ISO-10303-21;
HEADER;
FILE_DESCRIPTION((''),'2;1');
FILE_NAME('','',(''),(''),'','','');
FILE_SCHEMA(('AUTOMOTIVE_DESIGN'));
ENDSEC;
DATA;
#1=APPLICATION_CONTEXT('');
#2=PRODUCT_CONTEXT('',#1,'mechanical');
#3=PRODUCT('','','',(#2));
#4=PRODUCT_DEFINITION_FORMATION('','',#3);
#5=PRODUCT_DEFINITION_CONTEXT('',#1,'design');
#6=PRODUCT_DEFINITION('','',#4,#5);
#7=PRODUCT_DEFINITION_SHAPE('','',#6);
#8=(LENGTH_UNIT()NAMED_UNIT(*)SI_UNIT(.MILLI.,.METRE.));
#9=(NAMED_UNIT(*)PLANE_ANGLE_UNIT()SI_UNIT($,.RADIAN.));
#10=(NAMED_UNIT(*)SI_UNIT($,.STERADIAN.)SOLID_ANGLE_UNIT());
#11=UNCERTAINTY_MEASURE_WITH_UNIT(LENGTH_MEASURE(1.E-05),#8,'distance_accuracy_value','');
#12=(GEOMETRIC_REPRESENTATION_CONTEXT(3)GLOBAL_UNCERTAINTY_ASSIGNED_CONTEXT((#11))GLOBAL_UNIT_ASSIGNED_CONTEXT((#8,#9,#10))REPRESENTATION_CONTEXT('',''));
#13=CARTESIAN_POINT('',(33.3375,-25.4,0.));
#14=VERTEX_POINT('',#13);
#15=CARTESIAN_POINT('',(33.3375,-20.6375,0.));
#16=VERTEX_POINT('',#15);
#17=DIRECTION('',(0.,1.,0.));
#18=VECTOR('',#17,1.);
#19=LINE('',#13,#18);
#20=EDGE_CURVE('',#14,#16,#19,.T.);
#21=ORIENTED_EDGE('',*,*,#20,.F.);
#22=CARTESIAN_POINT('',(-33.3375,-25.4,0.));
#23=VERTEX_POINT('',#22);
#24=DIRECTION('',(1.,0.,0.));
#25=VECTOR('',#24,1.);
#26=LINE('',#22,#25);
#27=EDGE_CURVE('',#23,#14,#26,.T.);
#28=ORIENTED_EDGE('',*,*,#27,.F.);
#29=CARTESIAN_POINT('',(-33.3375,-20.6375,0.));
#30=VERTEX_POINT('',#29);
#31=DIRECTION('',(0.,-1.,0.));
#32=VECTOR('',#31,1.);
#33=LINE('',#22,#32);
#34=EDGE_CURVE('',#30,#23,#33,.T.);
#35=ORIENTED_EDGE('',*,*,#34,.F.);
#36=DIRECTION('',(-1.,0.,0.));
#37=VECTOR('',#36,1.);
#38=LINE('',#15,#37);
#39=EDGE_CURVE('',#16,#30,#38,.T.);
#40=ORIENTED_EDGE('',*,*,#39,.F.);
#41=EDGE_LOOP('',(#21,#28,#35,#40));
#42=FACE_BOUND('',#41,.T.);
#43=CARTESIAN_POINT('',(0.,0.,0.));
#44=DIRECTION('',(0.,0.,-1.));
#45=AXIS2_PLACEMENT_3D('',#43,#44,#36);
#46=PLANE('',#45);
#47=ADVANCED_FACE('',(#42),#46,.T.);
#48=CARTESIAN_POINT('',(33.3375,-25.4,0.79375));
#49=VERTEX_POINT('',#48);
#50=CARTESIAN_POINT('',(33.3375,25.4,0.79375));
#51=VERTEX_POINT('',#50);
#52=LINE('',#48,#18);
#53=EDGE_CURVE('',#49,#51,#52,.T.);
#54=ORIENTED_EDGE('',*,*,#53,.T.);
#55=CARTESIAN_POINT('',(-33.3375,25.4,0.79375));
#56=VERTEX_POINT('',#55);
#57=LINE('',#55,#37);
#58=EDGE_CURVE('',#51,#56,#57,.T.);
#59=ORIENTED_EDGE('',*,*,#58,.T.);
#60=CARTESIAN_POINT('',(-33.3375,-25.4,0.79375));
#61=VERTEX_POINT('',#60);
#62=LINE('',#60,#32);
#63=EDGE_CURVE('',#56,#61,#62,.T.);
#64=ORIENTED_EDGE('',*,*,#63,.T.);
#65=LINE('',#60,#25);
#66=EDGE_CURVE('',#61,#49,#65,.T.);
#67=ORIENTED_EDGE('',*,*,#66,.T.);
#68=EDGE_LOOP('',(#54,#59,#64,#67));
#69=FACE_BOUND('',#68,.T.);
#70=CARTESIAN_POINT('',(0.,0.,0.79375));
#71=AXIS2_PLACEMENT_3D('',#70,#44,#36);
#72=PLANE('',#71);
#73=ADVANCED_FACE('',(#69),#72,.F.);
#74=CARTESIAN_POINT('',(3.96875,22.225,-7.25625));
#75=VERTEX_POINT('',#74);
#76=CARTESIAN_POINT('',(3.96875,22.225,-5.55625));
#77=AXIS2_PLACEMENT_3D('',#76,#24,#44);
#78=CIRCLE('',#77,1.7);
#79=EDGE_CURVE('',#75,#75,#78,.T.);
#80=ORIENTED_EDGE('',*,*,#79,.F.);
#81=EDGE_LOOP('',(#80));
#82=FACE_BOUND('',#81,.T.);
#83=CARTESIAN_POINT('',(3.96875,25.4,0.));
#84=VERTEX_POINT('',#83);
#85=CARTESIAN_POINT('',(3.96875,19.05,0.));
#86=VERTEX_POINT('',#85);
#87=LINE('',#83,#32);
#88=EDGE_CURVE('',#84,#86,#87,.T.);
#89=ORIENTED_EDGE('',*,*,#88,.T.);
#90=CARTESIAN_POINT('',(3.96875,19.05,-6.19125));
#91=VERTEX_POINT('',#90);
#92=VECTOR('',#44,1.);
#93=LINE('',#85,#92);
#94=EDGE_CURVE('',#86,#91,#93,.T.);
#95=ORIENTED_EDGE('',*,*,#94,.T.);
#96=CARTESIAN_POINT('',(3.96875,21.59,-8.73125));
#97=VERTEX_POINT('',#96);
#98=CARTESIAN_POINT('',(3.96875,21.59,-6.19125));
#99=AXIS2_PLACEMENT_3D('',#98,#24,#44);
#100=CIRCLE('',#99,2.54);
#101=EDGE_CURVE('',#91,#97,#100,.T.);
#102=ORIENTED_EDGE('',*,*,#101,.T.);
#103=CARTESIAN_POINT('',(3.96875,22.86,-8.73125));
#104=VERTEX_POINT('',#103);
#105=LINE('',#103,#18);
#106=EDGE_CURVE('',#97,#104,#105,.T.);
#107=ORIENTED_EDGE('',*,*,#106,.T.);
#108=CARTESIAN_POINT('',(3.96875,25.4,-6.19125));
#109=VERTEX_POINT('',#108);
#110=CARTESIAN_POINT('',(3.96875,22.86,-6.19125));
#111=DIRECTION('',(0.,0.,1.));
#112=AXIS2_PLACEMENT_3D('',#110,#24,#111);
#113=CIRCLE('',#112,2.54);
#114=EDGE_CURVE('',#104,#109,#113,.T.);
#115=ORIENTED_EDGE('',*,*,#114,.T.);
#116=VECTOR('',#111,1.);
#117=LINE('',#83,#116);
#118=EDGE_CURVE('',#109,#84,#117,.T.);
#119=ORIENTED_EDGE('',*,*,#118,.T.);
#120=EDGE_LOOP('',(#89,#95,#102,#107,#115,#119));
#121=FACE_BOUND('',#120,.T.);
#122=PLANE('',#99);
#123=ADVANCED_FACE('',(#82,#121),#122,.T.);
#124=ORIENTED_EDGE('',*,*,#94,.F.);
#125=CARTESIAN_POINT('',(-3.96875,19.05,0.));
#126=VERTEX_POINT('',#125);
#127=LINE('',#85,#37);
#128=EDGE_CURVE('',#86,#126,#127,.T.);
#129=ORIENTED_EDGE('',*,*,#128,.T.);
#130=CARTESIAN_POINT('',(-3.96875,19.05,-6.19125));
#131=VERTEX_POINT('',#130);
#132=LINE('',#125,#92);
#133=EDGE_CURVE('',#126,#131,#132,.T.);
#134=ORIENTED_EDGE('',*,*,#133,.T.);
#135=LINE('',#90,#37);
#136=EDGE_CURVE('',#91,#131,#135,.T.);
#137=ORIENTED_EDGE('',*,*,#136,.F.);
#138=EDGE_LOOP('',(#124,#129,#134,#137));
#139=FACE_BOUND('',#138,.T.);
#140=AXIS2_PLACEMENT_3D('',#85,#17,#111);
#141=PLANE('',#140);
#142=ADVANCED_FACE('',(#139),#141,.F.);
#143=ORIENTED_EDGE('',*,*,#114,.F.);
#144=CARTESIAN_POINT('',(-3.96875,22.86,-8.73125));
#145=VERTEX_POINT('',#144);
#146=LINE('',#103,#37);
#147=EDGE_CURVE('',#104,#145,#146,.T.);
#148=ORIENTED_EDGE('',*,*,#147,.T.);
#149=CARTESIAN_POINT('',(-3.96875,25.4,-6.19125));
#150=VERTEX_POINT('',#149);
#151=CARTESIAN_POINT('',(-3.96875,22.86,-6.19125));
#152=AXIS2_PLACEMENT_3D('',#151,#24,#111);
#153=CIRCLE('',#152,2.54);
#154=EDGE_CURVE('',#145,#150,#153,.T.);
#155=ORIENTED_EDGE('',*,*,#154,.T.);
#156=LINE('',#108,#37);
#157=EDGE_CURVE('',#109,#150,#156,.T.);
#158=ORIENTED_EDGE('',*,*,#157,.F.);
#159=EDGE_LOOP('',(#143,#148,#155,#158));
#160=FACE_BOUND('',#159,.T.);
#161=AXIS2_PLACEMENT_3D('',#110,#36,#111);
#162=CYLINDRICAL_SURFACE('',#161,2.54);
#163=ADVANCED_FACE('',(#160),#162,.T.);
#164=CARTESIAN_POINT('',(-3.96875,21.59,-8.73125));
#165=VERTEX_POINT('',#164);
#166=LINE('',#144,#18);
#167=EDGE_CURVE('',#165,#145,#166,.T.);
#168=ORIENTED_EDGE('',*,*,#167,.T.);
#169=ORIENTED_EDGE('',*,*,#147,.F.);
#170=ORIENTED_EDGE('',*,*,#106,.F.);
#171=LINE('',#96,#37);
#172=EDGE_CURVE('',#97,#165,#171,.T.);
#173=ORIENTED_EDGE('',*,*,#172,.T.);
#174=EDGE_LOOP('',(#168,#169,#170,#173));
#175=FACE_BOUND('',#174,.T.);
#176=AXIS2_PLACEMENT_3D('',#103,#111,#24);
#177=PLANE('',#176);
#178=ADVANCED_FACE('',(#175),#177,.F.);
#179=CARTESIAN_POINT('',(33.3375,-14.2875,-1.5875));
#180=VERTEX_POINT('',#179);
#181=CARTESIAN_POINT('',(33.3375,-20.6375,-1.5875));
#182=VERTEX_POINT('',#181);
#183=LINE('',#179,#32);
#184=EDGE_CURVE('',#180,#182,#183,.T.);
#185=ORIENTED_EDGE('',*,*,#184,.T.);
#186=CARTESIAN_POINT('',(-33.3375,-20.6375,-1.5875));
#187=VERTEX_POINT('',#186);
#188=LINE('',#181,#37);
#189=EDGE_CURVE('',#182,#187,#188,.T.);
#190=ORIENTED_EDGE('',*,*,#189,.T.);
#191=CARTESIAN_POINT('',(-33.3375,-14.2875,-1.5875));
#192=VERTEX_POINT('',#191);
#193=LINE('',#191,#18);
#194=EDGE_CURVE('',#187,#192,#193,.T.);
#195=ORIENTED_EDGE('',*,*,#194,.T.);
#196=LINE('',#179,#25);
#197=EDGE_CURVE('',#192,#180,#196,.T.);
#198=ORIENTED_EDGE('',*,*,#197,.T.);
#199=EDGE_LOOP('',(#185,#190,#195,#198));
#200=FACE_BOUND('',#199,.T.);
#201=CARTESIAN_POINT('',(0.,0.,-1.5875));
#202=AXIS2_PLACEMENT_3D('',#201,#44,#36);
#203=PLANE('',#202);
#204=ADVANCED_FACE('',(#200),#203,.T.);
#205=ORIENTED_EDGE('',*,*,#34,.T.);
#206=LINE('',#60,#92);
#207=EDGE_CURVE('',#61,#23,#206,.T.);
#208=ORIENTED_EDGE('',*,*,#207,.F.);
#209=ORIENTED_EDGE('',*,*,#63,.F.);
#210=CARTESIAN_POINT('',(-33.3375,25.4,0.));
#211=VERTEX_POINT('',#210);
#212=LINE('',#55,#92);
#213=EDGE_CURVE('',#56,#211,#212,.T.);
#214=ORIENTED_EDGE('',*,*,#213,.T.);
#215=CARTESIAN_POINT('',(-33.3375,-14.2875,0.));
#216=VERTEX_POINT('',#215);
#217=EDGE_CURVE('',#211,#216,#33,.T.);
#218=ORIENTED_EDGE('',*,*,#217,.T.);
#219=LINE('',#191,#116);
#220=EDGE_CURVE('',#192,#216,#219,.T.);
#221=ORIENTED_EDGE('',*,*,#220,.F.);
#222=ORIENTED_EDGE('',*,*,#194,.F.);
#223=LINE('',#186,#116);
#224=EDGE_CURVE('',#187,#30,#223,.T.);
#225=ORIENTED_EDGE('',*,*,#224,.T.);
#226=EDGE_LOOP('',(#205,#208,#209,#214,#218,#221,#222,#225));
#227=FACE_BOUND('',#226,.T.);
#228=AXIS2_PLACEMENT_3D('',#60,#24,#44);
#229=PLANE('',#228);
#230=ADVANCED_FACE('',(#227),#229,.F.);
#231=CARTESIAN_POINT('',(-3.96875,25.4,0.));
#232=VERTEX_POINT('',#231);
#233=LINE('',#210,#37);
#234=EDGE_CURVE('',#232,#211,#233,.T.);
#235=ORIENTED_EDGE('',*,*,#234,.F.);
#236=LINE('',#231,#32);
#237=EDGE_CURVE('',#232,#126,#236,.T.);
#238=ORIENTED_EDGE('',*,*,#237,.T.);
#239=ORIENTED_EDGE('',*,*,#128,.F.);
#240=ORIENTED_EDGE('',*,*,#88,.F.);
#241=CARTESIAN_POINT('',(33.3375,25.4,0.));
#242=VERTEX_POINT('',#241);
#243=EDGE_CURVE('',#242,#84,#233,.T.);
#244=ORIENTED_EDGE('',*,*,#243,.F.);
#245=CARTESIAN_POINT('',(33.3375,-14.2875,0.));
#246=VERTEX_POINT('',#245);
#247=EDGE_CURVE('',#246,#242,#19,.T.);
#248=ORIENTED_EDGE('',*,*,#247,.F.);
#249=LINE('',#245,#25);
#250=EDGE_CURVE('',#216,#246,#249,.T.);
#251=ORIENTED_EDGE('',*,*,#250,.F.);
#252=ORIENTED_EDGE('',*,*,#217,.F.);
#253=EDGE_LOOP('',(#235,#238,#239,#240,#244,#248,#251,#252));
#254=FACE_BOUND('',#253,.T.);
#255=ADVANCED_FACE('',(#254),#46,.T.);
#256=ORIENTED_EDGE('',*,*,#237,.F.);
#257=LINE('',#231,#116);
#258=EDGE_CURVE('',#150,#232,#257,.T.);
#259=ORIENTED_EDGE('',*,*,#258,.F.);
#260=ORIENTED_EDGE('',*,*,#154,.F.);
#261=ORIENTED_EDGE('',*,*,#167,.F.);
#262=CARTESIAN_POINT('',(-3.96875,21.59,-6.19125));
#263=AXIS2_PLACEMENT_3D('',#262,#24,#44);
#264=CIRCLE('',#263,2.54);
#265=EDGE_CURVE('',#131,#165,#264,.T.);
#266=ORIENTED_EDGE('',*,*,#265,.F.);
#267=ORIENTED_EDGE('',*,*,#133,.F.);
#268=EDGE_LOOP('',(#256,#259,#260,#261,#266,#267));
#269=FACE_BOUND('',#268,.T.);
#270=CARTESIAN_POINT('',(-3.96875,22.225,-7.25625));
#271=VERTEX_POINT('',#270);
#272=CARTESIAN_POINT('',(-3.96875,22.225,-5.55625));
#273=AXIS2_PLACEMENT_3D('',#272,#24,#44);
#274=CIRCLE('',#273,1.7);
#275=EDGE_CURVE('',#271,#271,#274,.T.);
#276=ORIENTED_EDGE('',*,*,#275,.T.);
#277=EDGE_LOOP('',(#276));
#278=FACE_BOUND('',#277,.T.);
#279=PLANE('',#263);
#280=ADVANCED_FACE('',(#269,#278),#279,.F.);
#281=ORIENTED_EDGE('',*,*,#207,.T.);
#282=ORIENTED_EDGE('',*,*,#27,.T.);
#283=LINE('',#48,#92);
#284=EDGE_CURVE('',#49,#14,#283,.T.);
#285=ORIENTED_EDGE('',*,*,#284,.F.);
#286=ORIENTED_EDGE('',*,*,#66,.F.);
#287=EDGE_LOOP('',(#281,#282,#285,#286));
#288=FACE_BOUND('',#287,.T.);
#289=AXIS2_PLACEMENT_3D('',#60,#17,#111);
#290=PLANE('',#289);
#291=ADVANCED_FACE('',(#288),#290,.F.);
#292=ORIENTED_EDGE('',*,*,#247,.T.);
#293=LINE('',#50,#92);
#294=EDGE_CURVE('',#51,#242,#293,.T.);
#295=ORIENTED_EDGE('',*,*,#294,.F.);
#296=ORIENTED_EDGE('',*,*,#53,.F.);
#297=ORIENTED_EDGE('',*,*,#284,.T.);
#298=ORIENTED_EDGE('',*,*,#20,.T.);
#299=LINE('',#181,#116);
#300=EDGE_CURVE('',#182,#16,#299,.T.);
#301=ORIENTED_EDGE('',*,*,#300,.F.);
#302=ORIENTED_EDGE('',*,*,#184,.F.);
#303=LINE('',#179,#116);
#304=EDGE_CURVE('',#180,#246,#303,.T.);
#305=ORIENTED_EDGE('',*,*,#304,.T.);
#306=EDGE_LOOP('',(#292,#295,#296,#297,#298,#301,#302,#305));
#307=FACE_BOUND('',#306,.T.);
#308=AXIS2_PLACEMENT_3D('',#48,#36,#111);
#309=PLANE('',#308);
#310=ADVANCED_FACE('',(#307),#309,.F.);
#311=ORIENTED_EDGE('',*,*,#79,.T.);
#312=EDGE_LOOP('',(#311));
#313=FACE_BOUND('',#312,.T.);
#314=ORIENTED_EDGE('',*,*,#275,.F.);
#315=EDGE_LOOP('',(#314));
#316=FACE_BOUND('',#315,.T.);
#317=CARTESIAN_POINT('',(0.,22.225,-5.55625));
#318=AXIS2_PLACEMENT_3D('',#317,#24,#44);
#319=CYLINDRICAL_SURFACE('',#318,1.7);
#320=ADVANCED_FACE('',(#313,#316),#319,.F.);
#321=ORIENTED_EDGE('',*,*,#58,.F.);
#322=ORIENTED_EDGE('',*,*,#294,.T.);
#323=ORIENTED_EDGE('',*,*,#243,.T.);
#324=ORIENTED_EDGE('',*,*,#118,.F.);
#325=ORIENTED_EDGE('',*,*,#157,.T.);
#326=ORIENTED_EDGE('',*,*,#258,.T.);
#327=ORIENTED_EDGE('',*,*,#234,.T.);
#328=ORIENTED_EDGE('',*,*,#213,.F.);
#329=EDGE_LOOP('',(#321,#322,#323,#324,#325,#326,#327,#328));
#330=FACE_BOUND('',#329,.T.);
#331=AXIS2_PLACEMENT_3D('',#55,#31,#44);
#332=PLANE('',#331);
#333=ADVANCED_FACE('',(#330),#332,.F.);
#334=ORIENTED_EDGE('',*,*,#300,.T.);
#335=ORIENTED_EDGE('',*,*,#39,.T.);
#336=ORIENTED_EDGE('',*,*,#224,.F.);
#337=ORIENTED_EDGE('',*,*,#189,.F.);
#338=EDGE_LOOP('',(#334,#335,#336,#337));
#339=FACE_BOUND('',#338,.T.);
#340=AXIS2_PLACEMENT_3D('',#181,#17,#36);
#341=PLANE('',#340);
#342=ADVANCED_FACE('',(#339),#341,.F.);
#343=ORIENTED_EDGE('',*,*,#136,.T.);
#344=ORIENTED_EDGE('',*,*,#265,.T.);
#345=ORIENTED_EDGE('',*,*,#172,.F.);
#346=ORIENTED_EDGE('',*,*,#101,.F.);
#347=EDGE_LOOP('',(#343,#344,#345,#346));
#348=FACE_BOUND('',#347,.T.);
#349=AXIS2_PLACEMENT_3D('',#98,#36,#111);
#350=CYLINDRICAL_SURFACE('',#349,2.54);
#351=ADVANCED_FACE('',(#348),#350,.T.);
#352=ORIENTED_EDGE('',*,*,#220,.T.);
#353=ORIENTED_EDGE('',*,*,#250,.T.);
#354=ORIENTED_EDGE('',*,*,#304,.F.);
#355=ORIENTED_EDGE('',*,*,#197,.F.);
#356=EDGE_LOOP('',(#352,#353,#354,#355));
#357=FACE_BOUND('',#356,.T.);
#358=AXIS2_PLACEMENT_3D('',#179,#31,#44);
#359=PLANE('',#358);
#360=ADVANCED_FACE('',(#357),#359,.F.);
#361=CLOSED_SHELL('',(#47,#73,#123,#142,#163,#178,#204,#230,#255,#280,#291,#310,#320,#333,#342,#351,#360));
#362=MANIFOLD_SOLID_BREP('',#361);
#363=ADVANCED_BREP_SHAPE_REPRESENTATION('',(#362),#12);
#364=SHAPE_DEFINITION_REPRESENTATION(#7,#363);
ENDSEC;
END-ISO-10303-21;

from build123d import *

# Parameters (mm, degrees)
SKETCH1_W                = 66.675
SKETCH1_H                = 50.8
BOSS_EXTRUDE1_DEPTH      = 0.79375
BOSS_EXTRUDE2_DEPTH      = 3.96875
M3_CLEARANCE_HOLE2_D     = 3.4
M3_CLEARANCE_HOLE2_DEPTH = 6.35
M3_CLEARANCE_HOLE2_TIP   = 1.021463052
SKETCH11_W               = 66.675
SKETCH11_H               = 6.35
BOSS_EXTRUDE3_DEPTH      = 1.5875


with BuildPart() as part:
    # Sketch1 → Boss-Extrude1 (new body)
    with BuildSketch(Plane.XY):
        Rectangle(SKETCH1_W, SKETCH1_H)
    extrude(amount=BOSS_EXTRUDE1_DEPTH)

    # Sketch3 → Boss-Extrude2 (add, symmetric)
    with BuildSketch(Plane(origin=(0, 0, 0), x_dir=(0, 0, -1), z_dir=(1, 0, 0))):
        with BuildLine():
            Line((0, 25.4), (6.19125, 25.4))
            ThreePointArc((6.19125, 25.4), (7.987301224, 24.656051224), (8.73125, 22.86))
            Line((8.73125, 22.86), (8.73125, 21.59))
            ThreePointArc((8.73125, 21.59), (7.987301224, 19.793948776), (6.19125, 19.05))
            Line((6.19125, 19.05), (0, 19.05))
            Line((0, 19.05), (0, 25.4))
        make_face()
    extrude(amount=BOSS_EXTRUDE2_DEPTH, both=True)

    # Sketch8 → M3 Clearance Hole1 (revolve, cut)
    with BuildSketch(Plane(origin=(0, 22.225, -5.55625), x_dir=(0, 0, -1), z_dir=(0, 1, 0))):
        Polygon((0, 0), (0, 7.371463052), (1.7, 6.35), (1.7, 0), align=None)
    revolve(axis=Axis((6.35, 22.225, -5.55625), (-1, 0, 0)), mode=Mode.SUBTRACT)

    # M3 Clearance Hole2
    with Locations(Plane.ZY):
        with Locations((-5.55625, 22.225)):
            Hole(M3_CLEARANCE_HOLE2_D / 2, depth=M3_CLEARANCE_HOLE2_DEPTH)
            with Locations((0, 0, -(M3_CLEARANCE_HOLE2_DEPTH + M3_CLEARANCE_HOLE2_TIP / 2))):  # 118° drill point
                Cone(0, M3_CLEARANCE_HOLE2_D / 2, M3_CLEARANCE_HOLE2_TIP, mode=Mode.SUBTRACT)

    # Sketch11 → Boss-Extrude3 (add)
    with BuildSketch(Plane(origin=(0, 0, 0), x_dir=(-1, 0, 0), z_dir=(0, 0, -1))):
        with Locations((0, -17.4625)):
            Rectangle(SKETCH11_W, SKETCH11_H)
    extrude(amount=BOSS_EXTRUDE3_DEPTH)


solid = part.part
